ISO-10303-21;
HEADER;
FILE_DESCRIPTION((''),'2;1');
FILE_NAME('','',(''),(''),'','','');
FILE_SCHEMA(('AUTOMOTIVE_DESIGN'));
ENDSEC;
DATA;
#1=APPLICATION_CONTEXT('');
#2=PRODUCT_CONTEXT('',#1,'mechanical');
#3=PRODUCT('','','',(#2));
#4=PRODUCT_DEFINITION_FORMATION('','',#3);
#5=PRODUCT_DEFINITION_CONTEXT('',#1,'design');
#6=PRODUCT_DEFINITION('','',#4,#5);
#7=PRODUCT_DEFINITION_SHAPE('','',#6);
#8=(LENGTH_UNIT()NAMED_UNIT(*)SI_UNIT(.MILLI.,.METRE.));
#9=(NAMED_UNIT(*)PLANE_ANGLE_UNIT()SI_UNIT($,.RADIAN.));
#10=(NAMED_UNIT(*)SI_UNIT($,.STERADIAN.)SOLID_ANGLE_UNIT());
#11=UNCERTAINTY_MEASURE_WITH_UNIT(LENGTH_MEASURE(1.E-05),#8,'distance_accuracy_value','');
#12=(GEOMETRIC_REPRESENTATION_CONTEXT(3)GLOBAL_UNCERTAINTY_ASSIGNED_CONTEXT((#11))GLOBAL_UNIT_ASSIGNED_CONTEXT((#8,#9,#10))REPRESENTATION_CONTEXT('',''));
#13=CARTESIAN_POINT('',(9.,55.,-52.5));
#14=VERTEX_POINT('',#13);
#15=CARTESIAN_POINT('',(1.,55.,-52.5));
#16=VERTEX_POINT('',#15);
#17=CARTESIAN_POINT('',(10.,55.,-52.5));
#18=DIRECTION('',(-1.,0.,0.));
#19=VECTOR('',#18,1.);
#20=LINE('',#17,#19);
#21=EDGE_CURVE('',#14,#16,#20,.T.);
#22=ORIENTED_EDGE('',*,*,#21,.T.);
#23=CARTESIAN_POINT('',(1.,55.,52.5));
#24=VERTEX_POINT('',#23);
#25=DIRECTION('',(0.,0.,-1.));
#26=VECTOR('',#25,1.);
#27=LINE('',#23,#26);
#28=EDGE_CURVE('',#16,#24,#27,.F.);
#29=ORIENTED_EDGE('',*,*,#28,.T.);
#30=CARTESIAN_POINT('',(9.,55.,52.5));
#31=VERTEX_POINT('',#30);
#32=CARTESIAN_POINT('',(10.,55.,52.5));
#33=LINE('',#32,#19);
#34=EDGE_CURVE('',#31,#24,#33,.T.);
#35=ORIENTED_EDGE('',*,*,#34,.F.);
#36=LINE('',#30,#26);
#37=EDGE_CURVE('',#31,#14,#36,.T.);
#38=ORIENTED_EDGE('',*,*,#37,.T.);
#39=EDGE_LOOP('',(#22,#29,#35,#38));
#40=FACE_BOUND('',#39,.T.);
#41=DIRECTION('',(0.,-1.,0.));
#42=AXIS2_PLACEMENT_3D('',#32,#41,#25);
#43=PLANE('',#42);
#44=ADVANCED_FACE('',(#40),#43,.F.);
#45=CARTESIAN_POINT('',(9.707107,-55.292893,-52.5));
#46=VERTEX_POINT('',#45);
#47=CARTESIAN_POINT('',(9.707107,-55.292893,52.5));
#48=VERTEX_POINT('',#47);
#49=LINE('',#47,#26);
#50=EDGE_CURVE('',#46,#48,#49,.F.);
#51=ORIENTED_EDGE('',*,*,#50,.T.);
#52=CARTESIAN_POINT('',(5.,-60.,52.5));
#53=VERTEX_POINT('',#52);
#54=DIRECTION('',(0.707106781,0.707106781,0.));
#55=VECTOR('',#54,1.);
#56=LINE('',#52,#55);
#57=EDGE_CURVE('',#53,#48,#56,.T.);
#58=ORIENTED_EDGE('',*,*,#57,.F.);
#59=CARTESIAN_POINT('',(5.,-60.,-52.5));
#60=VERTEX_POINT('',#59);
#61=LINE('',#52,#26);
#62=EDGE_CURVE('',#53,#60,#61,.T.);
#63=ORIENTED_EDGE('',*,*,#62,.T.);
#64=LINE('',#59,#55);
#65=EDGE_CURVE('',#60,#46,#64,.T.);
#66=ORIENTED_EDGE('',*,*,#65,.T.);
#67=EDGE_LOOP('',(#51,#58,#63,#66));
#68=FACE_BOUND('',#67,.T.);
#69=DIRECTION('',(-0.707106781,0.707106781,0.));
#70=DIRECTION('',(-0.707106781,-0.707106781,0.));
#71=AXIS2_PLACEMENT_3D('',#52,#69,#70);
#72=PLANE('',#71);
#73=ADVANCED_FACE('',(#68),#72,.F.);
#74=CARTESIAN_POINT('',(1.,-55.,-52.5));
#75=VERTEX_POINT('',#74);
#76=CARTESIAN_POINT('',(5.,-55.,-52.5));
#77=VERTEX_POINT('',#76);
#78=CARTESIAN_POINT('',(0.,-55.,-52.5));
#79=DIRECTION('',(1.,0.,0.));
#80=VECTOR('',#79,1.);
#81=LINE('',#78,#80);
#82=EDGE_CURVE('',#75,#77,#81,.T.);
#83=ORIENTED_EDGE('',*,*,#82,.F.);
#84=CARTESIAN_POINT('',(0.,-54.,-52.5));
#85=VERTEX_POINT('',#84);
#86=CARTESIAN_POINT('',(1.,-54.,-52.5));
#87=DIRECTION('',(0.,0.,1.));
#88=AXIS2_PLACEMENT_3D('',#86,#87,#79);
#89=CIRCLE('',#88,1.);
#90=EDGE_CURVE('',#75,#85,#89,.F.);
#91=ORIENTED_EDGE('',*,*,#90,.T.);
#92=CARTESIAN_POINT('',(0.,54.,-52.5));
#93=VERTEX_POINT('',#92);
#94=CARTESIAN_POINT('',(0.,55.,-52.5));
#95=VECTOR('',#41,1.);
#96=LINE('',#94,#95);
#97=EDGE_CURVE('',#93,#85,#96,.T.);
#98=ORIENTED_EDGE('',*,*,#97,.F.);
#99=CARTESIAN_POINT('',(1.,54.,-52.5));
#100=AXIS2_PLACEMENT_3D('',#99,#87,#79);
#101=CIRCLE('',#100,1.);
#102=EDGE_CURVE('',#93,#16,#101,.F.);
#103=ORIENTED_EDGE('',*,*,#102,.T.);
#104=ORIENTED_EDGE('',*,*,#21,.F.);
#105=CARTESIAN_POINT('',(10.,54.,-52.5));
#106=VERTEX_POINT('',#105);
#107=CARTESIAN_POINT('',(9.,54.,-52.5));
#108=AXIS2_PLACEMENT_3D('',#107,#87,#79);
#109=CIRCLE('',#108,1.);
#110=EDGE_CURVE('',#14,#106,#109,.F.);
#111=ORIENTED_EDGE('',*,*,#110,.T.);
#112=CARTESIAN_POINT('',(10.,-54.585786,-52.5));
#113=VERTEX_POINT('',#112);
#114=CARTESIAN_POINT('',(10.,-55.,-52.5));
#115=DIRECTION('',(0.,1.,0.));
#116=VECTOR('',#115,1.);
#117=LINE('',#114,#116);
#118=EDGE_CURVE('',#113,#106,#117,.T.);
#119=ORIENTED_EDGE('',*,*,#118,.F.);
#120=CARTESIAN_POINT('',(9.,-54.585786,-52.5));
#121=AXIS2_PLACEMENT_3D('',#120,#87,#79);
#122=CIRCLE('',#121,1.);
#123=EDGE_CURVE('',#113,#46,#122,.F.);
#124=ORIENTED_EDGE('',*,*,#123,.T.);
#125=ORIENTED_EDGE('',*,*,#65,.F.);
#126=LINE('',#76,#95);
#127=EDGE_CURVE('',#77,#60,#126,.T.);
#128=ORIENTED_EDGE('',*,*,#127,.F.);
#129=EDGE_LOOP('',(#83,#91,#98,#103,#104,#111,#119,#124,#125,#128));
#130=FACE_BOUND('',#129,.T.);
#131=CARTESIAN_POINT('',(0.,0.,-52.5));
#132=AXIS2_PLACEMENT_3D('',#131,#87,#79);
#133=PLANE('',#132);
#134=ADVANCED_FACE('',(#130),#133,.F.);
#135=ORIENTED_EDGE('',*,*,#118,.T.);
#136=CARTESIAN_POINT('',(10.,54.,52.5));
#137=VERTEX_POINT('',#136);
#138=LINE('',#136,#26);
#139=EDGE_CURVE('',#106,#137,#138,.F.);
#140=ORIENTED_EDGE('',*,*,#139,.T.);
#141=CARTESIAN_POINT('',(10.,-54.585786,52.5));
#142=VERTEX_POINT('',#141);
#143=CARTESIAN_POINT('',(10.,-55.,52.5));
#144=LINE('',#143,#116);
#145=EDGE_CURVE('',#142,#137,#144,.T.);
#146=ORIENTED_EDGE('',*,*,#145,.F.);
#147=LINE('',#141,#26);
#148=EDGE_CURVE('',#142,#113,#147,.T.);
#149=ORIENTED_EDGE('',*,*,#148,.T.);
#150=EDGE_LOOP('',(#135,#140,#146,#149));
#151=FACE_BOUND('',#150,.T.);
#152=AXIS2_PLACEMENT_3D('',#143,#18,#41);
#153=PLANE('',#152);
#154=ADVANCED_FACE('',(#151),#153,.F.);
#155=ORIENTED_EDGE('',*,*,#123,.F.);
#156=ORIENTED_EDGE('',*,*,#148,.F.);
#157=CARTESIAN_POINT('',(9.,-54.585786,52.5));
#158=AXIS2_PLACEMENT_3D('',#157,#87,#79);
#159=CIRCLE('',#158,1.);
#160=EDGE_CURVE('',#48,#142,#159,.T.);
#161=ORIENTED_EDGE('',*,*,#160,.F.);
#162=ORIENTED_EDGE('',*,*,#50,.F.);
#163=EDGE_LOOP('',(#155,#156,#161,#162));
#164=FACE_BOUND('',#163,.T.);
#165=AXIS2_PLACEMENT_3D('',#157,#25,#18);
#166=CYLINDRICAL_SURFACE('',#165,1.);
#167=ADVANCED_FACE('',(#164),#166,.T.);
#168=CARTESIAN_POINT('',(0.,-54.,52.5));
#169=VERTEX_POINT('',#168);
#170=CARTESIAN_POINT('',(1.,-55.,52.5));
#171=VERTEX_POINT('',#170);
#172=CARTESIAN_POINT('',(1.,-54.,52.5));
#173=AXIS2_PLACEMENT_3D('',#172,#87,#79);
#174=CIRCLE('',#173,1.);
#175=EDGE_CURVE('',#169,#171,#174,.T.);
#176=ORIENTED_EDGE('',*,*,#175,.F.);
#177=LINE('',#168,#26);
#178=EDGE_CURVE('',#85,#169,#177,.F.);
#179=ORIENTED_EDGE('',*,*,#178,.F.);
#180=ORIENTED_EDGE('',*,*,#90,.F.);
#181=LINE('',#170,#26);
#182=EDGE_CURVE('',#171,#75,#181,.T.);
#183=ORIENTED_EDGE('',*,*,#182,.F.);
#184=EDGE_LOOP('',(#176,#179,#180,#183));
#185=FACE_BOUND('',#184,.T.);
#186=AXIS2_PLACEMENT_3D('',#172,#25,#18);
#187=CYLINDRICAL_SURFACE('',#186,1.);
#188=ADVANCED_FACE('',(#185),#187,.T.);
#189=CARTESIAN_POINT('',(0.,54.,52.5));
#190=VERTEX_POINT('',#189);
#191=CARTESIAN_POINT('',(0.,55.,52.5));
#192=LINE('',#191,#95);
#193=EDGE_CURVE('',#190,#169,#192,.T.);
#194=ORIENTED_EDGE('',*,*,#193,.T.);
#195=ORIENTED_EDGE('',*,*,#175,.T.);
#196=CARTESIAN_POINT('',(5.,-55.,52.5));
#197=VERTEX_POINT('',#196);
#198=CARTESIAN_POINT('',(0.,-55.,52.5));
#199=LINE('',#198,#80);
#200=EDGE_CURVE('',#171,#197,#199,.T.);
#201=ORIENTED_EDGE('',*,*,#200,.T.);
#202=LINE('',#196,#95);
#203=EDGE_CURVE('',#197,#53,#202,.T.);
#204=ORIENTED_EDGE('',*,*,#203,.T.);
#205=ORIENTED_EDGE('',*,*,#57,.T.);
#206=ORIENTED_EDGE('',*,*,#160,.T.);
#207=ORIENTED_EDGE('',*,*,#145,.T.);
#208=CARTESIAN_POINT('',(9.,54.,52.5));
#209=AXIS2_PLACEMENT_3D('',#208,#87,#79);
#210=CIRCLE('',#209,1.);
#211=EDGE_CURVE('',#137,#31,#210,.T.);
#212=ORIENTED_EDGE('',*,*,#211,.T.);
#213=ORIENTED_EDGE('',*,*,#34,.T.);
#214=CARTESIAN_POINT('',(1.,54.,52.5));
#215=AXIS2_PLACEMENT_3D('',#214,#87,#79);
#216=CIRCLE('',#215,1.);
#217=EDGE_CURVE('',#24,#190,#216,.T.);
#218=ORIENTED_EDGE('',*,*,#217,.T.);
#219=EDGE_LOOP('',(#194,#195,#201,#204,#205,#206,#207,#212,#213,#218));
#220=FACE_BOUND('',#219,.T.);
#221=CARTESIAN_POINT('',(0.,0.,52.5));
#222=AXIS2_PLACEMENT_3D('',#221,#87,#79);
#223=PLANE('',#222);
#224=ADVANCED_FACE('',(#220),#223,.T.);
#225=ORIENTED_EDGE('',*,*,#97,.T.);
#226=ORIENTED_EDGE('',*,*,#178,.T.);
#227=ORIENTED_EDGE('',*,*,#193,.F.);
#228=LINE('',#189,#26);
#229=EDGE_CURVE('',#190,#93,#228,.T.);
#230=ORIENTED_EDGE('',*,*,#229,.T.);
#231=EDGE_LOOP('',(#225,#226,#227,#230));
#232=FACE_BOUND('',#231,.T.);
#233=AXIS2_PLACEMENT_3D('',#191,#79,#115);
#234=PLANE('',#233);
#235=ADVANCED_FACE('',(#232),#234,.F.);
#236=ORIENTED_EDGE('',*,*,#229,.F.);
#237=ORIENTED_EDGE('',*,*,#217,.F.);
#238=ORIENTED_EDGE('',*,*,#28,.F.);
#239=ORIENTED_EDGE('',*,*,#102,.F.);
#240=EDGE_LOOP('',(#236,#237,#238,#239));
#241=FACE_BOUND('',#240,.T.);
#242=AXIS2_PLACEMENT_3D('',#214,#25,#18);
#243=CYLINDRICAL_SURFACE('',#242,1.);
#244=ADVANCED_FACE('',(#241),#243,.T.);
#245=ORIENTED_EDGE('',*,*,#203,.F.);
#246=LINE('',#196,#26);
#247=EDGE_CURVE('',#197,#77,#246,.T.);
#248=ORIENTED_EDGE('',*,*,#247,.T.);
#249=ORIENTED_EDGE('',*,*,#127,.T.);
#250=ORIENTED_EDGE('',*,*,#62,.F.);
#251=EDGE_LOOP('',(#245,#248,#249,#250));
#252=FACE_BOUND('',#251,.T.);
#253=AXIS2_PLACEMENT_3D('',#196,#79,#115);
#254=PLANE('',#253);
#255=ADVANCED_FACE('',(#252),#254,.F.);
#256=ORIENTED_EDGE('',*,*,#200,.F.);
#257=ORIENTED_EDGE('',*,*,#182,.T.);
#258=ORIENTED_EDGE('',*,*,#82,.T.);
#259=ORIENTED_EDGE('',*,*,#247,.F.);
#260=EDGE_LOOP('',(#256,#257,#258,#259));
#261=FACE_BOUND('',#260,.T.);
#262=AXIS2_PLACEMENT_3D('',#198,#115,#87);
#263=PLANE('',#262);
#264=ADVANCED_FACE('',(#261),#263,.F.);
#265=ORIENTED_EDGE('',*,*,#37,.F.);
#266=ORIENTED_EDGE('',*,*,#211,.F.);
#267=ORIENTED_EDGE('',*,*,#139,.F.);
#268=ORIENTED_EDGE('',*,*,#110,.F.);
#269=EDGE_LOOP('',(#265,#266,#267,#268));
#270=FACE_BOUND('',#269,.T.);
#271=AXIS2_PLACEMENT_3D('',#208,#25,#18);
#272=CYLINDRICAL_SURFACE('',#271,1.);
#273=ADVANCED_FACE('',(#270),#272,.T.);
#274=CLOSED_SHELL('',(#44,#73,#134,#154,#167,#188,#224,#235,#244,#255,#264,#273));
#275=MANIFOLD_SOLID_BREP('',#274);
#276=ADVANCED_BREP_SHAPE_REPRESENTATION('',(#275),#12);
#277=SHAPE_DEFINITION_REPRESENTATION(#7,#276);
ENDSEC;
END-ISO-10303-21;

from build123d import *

# Parameters (mm, degrees)
BOSS_EXTRUDE1_DEPTH = 52.5
FILLET1_R           = 1


with BuildPart() as part:
    # Sketch1 → Boss-Extrude1 (new, symmetric)
    with BuildSketch(Plane.XY):
        Polygon((5, -55), (5, -60), (10, -55), (10, 55), (0, 55), (0, -55), align=None)
    extrude(amount=BOSS_EXTRUDE1_DEPTH, both=True)

    # Fillet1
    fillet1_edges = [part.edges().sort_by_distance(p)[0] for p in [
        (10, -55, 0),
        (0, -55, 0),
        (0, 55, 0),
        (10, 55, 0),
    ]]
    fillet(fillet1_edges, radius=FILLET1_R)


solid = part.part
